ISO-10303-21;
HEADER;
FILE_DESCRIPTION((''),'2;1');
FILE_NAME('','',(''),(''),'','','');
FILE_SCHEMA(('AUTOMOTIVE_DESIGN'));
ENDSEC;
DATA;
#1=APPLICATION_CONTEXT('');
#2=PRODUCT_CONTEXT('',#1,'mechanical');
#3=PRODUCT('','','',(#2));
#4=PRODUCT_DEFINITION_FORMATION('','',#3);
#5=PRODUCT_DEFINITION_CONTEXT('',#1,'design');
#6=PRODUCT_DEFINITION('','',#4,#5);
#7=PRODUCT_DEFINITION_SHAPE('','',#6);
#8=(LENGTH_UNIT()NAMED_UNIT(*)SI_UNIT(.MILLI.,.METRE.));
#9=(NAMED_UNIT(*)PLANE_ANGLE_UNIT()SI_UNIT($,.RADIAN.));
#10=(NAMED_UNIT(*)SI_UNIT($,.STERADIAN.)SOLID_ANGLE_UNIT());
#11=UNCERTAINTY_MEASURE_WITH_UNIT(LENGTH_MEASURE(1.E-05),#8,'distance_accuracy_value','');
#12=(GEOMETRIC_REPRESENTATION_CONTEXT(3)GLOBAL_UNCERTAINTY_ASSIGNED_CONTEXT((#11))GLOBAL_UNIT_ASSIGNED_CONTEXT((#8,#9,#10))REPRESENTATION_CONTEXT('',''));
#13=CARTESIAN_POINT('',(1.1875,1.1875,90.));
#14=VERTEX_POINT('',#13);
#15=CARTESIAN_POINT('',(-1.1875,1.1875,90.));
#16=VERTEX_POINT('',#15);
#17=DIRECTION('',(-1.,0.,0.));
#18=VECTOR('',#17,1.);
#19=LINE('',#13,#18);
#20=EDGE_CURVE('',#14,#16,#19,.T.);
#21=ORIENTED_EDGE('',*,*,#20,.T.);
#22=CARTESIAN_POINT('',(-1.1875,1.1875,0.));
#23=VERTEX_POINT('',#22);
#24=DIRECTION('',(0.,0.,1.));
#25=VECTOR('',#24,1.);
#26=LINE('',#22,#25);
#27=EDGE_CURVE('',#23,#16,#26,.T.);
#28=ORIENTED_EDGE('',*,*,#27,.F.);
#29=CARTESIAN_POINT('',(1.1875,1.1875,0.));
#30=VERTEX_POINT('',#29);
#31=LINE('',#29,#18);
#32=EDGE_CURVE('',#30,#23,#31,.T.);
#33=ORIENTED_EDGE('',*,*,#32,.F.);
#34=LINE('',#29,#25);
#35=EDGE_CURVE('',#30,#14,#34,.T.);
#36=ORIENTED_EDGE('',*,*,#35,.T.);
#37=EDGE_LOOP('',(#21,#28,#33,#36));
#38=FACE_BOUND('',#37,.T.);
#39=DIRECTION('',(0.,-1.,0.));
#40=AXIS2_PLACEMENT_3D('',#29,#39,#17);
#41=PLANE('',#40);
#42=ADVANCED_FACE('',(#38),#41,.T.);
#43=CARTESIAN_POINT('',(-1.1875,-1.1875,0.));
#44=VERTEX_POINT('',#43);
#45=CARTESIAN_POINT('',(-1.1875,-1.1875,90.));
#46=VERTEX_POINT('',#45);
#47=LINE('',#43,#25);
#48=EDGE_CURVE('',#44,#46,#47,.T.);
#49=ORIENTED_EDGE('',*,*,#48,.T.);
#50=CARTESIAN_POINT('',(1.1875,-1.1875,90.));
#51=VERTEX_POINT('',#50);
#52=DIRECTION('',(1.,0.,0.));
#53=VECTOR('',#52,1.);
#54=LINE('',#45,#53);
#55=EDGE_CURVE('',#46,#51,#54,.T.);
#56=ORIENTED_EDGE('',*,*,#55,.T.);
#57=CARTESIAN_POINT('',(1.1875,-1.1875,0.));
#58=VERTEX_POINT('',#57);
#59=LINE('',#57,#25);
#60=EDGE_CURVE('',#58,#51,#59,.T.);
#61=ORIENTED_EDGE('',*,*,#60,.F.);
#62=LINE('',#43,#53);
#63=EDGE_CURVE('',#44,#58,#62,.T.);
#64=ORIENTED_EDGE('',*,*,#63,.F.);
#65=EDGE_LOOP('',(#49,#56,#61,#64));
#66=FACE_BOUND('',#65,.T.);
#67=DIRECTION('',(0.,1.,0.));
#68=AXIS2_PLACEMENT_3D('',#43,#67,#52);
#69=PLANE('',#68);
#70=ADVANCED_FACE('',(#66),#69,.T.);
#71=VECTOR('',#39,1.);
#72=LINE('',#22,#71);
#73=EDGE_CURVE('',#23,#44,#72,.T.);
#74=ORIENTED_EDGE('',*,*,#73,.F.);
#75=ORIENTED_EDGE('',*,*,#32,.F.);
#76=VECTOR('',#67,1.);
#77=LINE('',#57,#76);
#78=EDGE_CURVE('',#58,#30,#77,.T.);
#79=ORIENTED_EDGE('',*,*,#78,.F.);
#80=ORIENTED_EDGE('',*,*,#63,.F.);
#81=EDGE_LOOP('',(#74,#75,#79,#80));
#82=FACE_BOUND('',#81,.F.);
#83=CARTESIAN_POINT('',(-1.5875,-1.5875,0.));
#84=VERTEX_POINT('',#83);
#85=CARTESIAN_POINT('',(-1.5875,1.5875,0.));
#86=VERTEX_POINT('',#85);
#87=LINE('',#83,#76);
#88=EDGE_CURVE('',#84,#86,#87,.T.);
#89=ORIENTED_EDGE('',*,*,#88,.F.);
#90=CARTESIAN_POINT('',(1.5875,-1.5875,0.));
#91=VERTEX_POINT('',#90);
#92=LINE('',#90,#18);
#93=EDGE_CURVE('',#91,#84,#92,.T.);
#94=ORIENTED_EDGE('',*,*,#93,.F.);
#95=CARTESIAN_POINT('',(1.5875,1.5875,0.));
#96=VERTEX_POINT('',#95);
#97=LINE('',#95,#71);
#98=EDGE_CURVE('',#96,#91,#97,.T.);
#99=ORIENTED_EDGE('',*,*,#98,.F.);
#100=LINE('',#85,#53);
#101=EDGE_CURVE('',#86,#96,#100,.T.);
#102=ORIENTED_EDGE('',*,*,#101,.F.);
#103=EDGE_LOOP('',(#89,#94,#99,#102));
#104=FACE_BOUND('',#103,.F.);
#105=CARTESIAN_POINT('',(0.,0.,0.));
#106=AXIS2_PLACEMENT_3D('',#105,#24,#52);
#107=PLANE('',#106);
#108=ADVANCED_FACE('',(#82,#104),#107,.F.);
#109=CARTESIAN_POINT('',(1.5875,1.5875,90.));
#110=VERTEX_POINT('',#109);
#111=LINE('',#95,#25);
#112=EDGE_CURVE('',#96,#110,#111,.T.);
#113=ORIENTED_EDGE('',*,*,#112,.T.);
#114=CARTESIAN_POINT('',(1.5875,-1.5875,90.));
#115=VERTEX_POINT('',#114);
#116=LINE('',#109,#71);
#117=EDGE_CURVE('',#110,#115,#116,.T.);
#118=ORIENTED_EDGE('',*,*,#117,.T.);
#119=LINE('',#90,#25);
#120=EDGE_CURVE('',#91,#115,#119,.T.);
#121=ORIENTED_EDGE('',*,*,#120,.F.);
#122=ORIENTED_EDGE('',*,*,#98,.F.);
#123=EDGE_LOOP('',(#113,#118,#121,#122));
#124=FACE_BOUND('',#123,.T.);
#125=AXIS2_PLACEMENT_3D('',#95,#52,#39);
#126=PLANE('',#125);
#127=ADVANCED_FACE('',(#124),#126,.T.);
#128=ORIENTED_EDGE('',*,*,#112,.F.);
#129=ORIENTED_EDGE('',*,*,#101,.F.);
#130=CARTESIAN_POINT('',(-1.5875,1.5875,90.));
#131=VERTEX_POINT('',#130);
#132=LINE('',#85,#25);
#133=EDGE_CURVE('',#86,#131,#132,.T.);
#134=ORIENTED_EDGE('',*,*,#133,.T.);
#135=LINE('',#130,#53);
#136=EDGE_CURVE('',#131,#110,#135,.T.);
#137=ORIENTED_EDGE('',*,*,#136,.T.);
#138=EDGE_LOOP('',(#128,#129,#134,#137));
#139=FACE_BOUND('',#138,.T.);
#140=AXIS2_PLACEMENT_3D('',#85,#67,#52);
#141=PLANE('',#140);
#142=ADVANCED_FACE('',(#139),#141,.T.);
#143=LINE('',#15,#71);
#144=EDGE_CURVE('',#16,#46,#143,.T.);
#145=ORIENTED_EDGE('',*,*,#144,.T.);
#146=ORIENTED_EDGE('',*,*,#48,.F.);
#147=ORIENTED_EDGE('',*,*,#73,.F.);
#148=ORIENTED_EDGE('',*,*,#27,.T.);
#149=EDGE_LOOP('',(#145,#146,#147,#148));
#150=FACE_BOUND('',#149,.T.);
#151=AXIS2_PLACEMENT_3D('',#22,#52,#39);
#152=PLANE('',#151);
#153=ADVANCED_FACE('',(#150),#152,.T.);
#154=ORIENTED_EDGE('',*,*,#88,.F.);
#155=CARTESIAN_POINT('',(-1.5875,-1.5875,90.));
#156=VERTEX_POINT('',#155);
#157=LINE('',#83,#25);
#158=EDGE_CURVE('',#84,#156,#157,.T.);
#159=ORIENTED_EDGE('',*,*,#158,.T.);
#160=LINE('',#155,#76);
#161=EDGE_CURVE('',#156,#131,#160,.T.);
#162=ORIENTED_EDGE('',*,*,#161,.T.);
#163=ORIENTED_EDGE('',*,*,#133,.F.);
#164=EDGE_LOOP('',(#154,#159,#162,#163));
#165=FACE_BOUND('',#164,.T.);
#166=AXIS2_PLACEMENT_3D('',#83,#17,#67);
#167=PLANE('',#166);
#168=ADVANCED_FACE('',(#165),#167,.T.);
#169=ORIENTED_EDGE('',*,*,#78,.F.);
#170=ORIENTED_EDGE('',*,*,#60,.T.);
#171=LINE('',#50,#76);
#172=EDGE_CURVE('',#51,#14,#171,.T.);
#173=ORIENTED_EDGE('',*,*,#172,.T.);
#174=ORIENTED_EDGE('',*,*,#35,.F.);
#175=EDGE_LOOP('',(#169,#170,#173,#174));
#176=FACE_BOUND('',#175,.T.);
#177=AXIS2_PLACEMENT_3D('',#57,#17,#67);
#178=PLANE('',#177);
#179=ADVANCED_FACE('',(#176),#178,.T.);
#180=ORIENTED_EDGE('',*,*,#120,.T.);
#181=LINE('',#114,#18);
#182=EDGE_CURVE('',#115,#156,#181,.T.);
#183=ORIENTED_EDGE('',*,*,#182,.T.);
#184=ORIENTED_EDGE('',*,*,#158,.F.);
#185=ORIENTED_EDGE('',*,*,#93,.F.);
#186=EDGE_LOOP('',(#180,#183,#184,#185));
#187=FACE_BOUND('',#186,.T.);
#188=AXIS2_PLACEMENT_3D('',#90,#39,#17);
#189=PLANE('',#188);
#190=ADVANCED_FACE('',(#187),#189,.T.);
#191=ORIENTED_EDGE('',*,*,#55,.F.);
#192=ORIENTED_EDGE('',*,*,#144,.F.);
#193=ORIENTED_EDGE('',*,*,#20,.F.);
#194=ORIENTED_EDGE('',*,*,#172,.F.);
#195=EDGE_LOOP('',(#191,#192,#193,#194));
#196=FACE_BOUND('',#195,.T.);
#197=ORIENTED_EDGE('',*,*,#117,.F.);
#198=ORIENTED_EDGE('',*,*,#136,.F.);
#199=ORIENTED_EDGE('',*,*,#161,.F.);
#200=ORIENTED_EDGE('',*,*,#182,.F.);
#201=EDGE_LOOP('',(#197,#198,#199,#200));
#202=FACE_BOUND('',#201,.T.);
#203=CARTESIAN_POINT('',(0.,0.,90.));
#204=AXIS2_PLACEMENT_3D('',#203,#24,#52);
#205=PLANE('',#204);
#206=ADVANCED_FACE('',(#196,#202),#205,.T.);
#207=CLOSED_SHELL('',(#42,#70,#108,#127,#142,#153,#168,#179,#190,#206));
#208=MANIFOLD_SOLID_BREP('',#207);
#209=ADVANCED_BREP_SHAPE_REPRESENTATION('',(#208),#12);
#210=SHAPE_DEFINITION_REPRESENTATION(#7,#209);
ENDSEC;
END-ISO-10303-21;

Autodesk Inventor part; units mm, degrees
ref_plane "YZ Plane" through (0, 0, 0) normal (1, 0, 0) x (0, 1, 0)
ref_plane "XZ Plane" through (0, 0, 0) normal (0, 1, 0) x (-1, 0, 0)
ref_plane "XY Plane" through (0, 0, 0) normal (0, 0, 1) x (1, 0, 0)
sketch "Sketch1" plane through (0, 0, 0) normal (0, 0, 1) x (1, 0, 0)
  line L0 (-1.5875, 1.5875) -> (1.5875, 1.5875)
  line L1 (1.5875, 1.5875) -> (1.5875, -1.5875)
  line L2 (1.5875, -1.5875) -> (-1.5875, -1.5875)
  line L3 (-1.5875, -1.5875) -> (-1.5875, 1.5875)
  line L4 (-1.5875, 1.5875) -> (1.5875, -1.5875) construction
  line L5 (1.5875, 1.5875) -> (-1.5875, -1.5875) construction
  line L6 (-1.1875, -1.1875) -> (1.1875, -1.1875)
  line L7 (1.1875, -1.1875) -> (1.1875, 1.1875)
  line L8 (1.1875, 1.1875) -> (-1.1875, 1.1875)
  line L9 (-1.1875, 1.1875) -> (-1.1875, -1.1875)
  point P0 (0, 0)
  dimension "d0" = 3.175
  dimension "d1" = 0.4
extrude "Extrusion1" add sketch "Sketch1" along normal blind 90
properties part number "Rail" material "Aluminum 6061"
